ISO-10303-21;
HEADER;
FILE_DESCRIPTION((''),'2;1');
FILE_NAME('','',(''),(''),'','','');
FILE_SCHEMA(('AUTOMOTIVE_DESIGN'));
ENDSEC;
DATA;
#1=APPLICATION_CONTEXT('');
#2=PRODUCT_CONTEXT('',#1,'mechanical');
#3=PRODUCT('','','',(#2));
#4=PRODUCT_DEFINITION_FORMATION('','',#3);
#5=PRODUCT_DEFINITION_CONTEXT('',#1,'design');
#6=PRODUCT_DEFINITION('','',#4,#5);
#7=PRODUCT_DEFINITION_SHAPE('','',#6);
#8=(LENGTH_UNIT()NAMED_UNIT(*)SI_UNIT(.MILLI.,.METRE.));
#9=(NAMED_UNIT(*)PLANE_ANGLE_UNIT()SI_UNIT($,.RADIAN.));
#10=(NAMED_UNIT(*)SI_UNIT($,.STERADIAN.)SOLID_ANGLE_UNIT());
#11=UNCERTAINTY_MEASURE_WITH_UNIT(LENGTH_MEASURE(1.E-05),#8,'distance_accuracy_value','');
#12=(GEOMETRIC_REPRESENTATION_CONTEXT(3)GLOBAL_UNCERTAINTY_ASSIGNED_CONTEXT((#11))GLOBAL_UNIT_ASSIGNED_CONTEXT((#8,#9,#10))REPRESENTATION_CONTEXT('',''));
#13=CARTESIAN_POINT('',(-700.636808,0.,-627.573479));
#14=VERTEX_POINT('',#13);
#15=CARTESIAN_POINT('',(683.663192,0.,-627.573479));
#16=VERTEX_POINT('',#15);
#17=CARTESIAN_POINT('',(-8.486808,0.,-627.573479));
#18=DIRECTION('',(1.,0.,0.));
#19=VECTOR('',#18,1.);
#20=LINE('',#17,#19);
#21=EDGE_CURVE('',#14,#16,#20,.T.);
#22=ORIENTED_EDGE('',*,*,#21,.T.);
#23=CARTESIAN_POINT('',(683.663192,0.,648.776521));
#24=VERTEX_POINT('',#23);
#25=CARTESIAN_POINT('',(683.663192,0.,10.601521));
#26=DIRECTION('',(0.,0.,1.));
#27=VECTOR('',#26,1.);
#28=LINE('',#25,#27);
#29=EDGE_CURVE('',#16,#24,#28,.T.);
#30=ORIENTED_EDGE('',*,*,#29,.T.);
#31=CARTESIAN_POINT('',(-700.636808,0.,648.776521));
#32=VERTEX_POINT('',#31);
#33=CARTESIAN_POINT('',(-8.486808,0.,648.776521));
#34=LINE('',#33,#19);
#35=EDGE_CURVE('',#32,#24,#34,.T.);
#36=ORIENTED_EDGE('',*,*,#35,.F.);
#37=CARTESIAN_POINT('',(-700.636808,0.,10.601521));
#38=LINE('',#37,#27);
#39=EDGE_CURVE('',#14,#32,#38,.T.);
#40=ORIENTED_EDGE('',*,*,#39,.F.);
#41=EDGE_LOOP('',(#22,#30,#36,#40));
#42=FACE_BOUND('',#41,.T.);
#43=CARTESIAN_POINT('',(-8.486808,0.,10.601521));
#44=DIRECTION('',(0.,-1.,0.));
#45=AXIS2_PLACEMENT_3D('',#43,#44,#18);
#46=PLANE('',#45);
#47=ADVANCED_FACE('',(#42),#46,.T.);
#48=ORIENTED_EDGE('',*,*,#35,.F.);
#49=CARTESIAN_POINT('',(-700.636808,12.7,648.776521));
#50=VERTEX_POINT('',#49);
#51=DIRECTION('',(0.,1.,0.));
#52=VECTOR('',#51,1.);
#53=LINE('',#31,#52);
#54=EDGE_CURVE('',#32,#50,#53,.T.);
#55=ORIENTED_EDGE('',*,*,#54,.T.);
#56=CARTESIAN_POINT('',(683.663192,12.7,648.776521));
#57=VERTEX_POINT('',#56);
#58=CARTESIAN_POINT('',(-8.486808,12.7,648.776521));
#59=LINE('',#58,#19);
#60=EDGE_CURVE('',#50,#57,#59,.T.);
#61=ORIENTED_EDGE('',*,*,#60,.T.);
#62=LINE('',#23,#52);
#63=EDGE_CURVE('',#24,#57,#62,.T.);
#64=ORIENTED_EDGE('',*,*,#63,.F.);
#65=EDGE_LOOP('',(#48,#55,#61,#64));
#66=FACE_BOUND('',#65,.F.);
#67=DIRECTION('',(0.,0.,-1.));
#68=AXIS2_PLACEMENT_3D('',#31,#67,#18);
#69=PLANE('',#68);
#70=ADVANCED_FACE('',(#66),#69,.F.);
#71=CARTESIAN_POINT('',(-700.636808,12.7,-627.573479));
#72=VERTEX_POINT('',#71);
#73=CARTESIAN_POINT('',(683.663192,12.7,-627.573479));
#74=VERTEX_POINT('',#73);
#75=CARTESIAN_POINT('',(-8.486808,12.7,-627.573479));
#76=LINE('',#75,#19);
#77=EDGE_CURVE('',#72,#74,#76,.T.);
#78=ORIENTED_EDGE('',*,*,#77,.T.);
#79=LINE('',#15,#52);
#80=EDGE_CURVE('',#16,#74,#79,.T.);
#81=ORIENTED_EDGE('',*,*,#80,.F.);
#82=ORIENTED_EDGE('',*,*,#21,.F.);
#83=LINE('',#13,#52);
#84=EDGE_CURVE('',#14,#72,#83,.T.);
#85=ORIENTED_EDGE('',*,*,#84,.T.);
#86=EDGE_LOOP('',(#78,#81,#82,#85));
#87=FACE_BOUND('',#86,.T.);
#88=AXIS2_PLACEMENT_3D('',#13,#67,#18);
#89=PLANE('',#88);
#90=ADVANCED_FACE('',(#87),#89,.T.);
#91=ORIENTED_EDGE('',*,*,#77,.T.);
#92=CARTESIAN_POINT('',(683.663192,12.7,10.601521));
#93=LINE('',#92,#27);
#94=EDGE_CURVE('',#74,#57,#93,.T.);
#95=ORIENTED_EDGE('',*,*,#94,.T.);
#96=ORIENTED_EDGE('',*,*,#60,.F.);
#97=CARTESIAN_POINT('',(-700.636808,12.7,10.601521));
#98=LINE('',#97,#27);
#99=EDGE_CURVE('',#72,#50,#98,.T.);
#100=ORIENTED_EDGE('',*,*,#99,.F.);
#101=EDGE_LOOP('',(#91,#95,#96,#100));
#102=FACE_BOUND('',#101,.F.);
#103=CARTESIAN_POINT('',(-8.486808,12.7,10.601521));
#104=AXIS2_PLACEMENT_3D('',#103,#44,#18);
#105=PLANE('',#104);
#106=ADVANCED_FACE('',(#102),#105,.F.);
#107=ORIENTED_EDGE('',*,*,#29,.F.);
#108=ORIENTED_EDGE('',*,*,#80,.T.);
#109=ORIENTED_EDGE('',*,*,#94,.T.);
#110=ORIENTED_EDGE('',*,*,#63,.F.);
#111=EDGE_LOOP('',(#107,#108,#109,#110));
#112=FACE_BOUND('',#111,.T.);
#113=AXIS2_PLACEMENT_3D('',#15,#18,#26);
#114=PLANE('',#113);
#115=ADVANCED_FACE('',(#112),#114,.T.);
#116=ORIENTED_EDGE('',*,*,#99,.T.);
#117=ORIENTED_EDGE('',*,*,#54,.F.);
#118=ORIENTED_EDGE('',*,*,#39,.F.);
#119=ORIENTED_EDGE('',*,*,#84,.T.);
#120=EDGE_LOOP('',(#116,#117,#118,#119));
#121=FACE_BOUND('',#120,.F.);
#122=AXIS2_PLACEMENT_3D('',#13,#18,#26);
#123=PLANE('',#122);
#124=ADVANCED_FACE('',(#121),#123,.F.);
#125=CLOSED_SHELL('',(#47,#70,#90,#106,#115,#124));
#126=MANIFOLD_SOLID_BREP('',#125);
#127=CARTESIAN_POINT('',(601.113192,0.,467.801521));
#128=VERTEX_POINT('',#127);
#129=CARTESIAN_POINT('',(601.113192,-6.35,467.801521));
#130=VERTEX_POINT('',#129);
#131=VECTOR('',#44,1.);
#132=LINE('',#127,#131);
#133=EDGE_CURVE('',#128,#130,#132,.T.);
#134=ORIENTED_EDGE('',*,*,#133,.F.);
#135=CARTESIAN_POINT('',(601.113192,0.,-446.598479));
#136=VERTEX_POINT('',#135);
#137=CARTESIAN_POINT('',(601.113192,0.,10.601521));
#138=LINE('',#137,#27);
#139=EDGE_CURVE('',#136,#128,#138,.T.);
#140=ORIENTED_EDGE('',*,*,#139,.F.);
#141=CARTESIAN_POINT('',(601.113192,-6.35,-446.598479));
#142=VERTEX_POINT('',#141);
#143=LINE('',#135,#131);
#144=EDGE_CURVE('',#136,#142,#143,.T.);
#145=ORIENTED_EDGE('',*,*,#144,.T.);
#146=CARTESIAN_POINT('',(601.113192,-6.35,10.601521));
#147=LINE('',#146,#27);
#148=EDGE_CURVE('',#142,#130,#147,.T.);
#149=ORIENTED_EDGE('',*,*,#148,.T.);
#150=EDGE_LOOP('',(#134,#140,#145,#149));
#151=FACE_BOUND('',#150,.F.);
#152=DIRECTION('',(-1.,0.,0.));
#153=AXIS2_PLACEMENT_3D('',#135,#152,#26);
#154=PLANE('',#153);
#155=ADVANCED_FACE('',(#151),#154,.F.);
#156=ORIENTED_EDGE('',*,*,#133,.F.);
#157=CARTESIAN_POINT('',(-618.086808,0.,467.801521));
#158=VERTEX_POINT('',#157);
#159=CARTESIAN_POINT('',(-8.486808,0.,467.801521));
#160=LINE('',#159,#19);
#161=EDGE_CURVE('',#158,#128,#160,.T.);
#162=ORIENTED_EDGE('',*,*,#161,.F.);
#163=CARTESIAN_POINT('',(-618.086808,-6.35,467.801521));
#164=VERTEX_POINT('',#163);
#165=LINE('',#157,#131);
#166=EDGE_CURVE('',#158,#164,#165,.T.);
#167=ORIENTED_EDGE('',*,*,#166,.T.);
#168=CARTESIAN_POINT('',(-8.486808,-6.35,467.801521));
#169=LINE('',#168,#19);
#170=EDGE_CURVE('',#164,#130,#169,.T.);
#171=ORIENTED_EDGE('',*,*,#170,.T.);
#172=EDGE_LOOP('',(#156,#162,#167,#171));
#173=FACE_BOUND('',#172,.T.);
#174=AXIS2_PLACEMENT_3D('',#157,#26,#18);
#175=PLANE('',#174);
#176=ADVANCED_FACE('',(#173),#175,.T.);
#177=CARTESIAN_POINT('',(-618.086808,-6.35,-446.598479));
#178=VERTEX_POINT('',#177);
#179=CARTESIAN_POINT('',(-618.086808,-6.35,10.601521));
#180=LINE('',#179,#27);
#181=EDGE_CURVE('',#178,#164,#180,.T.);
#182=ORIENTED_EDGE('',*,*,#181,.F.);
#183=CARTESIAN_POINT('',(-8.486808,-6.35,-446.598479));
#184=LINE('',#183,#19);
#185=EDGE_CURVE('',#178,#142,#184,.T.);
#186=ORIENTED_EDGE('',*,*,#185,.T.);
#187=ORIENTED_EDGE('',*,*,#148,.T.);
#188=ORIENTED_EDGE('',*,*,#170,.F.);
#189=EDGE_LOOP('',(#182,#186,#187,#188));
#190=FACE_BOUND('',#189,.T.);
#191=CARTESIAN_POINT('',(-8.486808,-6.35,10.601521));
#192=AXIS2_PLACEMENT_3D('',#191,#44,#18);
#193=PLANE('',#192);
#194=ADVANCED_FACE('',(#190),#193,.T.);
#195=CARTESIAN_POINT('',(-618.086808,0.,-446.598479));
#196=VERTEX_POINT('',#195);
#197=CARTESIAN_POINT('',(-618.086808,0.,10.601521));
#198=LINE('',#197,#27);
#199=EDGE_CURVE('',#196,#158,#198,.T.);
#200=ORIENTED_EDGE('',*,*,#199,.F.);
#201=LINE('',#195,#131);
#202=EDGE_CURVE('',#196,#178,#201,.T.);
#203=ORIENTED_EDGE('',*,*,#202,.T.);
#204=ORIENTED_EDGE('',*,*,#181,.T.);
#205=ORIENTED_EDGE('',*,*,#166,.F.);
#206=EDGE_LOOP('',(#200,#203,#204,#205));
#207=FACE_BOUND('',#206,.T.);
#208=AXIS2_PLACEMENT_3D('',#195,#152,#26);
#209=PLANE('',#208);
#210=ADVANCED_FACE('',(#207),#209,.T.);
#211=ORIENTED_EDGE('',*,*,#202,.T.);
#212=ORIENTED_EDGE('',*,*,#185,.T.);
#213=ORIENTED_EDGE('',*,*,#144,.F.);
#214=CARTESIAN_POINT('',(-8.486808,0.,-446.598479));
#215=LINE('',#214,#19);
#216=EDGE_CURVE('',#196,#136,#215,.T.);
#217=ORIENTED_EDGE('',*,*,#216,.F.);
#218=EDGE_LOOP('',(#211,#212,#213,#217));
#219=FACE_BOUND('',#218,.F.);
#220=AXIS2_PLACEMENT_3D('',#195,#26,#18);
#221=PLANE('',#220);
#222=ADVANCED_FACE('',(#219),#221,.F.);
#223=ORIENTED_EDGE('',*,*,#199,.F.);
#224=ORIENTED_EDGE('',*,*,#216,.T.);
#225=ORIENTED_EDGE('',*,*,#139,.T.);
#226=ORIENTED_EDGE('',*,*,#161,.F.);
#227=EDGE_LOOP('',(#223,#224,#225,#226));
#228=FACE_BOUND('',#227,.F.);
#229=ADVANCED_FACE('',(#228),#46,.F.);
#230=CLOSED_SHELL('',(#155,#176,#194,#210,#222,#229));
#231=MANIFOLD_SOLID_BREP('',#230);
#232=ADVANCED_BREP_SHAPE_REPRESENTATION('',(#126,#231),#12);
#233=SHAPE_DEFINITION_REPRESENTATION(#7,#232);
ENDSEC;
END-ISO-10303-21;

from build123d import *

# Parameters (mm, degrees)
F0_W     = 1384.3
F0_H     = 1276.35
F1_DEPTH = 12.7
F2_W     = 1219.2
F2_H     = 914.4
F3_DEPTH = 6.35


with BuildPart() as f1:
    # F0 (on Front) → F1 (new body)
    with BuildSketch(Plane.XZ):
        with Locations((-8.486808, 10.601521)):
            Rectangle(F0_W, F0_H)
    extrude(amount=-F1_DEPTH)


with BuildPart() as f3:
    # F2 (on face) → F3 (new body)
    with BuildSketch(Plane.XZ):
        with Locations((-8.486808, 10.601521)):
            Rectangle(F2_W, F2_H)
    extrude(amount=F3_DEPTH)


solid = Compound([f1.part, f3.part])
